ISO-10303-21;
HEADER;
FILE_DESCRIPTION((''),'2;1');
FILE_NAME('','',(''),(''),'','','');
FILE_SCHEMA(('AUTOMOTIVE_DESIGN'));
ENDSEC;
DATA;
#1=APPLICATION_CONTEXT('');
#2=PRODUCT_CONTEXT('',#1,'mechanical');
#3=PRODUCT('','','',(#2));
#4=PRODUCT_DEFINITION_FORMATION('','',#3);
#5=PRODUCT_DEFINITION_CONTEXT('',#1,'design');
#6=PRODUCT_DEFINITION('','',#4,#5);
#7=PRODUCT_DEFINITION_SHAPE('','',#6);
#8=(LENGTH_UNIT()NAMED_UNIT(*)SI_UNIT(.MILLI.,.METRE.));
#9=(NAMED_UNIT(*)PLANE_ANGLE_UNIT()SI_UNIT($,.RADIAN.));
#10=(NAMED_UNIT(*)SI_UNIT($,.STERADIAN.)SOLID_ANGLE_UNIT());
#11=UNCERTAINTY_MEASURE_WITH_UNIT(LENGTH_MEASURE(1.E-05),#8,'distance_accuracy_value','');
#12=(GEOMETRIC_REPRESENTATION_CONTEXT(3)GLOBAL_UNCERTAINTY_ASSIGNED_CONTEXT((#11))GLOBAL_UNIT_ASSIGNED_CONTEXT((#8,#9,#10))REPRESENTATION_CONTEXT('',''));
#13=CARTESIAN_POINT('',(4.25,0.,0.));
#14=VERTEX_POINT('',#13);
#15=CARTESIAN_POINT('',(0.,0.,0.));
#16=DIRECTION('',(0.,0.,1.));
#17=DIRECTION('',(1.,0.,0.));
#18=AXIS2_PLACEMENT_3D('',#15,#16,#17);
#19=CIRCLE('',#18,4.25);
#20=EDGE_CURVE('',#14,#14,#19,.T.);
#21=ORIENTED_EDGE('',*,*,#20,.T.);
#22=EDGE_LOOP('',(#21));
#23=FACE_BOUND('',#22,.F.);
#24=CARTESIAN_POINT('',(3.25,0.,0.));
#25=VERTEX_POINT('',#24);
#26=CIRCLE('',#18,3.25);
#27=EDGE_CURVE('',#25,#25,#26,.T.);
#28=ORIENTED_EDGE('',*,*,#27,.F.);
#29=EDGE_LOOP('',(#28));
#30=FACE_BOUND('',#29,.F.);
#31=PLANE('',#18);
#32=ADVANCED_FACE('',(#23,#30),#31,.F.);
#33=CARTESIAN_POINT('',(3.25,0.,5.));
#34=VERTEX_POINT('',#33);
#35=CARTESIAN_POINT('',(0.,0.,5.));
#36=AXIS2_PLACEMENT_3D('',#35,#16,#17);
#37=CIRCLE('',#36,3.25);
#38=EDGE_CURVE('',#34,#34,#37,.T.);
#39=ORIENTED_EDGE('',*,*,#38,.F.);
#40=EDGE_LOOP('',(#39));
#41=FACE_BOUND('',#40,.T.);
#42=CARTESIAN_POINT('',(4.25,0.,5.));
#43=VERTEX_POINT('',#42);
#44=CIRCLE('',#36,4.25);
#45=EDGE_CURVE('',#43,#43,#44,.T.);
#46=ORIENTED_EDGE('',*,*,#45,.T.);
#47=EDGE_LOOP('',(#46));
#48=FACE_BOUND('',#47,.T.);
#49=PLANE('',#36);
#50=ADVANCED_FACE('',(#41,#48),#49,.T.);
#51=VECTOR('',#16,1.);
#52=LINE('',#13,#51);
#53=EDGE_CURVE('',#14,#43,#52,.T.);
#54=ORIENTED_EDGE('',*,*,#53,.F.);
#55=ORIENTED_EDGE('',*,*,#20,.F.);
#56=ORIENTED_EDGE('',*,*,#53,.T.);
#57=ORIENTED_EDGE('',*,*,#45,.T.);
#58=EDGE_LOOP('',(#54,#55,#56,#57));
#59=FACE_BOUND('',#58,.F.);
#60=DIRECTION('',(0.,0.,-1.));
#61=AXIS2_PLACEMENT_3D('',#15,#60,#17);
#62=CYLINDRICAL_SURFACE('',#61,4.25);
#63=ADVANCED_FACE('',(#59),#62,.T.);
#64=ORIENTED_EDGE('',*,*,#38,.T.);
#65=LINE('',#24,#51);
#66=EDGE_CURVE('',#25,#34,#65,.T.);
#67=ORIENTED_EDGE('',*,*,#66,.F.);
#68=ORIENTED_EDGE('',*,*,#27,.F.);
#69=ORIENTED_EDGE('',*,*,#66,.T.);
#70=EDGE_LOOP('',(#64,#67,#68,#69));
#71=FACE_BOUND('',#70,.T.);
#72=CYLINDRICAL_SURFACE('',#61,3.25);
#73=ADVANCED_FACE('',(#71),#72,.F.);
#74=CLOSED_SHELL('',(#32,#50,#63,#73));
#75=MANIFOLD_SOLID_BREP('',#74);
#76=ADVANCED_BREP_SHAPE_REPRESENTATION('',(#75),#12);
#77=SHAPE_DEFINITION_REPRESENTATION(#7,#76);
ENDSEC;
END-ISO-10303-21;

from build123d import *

# Parameters (mm, degrees)
F0_R     = 4.25
F0_R_2   = 3.25
F1_DEPTH = 5


with BuildPart() as f1:
    # F0 (on Top) → F1 (new body)
    with BuildSketch(Plane.XY):
        Circle(F0_R)
        Circle(F0_R_2, mode=Mode.SUBTRACT)
    extrude(amount=F1_DEPTH)


solid = f1.part
